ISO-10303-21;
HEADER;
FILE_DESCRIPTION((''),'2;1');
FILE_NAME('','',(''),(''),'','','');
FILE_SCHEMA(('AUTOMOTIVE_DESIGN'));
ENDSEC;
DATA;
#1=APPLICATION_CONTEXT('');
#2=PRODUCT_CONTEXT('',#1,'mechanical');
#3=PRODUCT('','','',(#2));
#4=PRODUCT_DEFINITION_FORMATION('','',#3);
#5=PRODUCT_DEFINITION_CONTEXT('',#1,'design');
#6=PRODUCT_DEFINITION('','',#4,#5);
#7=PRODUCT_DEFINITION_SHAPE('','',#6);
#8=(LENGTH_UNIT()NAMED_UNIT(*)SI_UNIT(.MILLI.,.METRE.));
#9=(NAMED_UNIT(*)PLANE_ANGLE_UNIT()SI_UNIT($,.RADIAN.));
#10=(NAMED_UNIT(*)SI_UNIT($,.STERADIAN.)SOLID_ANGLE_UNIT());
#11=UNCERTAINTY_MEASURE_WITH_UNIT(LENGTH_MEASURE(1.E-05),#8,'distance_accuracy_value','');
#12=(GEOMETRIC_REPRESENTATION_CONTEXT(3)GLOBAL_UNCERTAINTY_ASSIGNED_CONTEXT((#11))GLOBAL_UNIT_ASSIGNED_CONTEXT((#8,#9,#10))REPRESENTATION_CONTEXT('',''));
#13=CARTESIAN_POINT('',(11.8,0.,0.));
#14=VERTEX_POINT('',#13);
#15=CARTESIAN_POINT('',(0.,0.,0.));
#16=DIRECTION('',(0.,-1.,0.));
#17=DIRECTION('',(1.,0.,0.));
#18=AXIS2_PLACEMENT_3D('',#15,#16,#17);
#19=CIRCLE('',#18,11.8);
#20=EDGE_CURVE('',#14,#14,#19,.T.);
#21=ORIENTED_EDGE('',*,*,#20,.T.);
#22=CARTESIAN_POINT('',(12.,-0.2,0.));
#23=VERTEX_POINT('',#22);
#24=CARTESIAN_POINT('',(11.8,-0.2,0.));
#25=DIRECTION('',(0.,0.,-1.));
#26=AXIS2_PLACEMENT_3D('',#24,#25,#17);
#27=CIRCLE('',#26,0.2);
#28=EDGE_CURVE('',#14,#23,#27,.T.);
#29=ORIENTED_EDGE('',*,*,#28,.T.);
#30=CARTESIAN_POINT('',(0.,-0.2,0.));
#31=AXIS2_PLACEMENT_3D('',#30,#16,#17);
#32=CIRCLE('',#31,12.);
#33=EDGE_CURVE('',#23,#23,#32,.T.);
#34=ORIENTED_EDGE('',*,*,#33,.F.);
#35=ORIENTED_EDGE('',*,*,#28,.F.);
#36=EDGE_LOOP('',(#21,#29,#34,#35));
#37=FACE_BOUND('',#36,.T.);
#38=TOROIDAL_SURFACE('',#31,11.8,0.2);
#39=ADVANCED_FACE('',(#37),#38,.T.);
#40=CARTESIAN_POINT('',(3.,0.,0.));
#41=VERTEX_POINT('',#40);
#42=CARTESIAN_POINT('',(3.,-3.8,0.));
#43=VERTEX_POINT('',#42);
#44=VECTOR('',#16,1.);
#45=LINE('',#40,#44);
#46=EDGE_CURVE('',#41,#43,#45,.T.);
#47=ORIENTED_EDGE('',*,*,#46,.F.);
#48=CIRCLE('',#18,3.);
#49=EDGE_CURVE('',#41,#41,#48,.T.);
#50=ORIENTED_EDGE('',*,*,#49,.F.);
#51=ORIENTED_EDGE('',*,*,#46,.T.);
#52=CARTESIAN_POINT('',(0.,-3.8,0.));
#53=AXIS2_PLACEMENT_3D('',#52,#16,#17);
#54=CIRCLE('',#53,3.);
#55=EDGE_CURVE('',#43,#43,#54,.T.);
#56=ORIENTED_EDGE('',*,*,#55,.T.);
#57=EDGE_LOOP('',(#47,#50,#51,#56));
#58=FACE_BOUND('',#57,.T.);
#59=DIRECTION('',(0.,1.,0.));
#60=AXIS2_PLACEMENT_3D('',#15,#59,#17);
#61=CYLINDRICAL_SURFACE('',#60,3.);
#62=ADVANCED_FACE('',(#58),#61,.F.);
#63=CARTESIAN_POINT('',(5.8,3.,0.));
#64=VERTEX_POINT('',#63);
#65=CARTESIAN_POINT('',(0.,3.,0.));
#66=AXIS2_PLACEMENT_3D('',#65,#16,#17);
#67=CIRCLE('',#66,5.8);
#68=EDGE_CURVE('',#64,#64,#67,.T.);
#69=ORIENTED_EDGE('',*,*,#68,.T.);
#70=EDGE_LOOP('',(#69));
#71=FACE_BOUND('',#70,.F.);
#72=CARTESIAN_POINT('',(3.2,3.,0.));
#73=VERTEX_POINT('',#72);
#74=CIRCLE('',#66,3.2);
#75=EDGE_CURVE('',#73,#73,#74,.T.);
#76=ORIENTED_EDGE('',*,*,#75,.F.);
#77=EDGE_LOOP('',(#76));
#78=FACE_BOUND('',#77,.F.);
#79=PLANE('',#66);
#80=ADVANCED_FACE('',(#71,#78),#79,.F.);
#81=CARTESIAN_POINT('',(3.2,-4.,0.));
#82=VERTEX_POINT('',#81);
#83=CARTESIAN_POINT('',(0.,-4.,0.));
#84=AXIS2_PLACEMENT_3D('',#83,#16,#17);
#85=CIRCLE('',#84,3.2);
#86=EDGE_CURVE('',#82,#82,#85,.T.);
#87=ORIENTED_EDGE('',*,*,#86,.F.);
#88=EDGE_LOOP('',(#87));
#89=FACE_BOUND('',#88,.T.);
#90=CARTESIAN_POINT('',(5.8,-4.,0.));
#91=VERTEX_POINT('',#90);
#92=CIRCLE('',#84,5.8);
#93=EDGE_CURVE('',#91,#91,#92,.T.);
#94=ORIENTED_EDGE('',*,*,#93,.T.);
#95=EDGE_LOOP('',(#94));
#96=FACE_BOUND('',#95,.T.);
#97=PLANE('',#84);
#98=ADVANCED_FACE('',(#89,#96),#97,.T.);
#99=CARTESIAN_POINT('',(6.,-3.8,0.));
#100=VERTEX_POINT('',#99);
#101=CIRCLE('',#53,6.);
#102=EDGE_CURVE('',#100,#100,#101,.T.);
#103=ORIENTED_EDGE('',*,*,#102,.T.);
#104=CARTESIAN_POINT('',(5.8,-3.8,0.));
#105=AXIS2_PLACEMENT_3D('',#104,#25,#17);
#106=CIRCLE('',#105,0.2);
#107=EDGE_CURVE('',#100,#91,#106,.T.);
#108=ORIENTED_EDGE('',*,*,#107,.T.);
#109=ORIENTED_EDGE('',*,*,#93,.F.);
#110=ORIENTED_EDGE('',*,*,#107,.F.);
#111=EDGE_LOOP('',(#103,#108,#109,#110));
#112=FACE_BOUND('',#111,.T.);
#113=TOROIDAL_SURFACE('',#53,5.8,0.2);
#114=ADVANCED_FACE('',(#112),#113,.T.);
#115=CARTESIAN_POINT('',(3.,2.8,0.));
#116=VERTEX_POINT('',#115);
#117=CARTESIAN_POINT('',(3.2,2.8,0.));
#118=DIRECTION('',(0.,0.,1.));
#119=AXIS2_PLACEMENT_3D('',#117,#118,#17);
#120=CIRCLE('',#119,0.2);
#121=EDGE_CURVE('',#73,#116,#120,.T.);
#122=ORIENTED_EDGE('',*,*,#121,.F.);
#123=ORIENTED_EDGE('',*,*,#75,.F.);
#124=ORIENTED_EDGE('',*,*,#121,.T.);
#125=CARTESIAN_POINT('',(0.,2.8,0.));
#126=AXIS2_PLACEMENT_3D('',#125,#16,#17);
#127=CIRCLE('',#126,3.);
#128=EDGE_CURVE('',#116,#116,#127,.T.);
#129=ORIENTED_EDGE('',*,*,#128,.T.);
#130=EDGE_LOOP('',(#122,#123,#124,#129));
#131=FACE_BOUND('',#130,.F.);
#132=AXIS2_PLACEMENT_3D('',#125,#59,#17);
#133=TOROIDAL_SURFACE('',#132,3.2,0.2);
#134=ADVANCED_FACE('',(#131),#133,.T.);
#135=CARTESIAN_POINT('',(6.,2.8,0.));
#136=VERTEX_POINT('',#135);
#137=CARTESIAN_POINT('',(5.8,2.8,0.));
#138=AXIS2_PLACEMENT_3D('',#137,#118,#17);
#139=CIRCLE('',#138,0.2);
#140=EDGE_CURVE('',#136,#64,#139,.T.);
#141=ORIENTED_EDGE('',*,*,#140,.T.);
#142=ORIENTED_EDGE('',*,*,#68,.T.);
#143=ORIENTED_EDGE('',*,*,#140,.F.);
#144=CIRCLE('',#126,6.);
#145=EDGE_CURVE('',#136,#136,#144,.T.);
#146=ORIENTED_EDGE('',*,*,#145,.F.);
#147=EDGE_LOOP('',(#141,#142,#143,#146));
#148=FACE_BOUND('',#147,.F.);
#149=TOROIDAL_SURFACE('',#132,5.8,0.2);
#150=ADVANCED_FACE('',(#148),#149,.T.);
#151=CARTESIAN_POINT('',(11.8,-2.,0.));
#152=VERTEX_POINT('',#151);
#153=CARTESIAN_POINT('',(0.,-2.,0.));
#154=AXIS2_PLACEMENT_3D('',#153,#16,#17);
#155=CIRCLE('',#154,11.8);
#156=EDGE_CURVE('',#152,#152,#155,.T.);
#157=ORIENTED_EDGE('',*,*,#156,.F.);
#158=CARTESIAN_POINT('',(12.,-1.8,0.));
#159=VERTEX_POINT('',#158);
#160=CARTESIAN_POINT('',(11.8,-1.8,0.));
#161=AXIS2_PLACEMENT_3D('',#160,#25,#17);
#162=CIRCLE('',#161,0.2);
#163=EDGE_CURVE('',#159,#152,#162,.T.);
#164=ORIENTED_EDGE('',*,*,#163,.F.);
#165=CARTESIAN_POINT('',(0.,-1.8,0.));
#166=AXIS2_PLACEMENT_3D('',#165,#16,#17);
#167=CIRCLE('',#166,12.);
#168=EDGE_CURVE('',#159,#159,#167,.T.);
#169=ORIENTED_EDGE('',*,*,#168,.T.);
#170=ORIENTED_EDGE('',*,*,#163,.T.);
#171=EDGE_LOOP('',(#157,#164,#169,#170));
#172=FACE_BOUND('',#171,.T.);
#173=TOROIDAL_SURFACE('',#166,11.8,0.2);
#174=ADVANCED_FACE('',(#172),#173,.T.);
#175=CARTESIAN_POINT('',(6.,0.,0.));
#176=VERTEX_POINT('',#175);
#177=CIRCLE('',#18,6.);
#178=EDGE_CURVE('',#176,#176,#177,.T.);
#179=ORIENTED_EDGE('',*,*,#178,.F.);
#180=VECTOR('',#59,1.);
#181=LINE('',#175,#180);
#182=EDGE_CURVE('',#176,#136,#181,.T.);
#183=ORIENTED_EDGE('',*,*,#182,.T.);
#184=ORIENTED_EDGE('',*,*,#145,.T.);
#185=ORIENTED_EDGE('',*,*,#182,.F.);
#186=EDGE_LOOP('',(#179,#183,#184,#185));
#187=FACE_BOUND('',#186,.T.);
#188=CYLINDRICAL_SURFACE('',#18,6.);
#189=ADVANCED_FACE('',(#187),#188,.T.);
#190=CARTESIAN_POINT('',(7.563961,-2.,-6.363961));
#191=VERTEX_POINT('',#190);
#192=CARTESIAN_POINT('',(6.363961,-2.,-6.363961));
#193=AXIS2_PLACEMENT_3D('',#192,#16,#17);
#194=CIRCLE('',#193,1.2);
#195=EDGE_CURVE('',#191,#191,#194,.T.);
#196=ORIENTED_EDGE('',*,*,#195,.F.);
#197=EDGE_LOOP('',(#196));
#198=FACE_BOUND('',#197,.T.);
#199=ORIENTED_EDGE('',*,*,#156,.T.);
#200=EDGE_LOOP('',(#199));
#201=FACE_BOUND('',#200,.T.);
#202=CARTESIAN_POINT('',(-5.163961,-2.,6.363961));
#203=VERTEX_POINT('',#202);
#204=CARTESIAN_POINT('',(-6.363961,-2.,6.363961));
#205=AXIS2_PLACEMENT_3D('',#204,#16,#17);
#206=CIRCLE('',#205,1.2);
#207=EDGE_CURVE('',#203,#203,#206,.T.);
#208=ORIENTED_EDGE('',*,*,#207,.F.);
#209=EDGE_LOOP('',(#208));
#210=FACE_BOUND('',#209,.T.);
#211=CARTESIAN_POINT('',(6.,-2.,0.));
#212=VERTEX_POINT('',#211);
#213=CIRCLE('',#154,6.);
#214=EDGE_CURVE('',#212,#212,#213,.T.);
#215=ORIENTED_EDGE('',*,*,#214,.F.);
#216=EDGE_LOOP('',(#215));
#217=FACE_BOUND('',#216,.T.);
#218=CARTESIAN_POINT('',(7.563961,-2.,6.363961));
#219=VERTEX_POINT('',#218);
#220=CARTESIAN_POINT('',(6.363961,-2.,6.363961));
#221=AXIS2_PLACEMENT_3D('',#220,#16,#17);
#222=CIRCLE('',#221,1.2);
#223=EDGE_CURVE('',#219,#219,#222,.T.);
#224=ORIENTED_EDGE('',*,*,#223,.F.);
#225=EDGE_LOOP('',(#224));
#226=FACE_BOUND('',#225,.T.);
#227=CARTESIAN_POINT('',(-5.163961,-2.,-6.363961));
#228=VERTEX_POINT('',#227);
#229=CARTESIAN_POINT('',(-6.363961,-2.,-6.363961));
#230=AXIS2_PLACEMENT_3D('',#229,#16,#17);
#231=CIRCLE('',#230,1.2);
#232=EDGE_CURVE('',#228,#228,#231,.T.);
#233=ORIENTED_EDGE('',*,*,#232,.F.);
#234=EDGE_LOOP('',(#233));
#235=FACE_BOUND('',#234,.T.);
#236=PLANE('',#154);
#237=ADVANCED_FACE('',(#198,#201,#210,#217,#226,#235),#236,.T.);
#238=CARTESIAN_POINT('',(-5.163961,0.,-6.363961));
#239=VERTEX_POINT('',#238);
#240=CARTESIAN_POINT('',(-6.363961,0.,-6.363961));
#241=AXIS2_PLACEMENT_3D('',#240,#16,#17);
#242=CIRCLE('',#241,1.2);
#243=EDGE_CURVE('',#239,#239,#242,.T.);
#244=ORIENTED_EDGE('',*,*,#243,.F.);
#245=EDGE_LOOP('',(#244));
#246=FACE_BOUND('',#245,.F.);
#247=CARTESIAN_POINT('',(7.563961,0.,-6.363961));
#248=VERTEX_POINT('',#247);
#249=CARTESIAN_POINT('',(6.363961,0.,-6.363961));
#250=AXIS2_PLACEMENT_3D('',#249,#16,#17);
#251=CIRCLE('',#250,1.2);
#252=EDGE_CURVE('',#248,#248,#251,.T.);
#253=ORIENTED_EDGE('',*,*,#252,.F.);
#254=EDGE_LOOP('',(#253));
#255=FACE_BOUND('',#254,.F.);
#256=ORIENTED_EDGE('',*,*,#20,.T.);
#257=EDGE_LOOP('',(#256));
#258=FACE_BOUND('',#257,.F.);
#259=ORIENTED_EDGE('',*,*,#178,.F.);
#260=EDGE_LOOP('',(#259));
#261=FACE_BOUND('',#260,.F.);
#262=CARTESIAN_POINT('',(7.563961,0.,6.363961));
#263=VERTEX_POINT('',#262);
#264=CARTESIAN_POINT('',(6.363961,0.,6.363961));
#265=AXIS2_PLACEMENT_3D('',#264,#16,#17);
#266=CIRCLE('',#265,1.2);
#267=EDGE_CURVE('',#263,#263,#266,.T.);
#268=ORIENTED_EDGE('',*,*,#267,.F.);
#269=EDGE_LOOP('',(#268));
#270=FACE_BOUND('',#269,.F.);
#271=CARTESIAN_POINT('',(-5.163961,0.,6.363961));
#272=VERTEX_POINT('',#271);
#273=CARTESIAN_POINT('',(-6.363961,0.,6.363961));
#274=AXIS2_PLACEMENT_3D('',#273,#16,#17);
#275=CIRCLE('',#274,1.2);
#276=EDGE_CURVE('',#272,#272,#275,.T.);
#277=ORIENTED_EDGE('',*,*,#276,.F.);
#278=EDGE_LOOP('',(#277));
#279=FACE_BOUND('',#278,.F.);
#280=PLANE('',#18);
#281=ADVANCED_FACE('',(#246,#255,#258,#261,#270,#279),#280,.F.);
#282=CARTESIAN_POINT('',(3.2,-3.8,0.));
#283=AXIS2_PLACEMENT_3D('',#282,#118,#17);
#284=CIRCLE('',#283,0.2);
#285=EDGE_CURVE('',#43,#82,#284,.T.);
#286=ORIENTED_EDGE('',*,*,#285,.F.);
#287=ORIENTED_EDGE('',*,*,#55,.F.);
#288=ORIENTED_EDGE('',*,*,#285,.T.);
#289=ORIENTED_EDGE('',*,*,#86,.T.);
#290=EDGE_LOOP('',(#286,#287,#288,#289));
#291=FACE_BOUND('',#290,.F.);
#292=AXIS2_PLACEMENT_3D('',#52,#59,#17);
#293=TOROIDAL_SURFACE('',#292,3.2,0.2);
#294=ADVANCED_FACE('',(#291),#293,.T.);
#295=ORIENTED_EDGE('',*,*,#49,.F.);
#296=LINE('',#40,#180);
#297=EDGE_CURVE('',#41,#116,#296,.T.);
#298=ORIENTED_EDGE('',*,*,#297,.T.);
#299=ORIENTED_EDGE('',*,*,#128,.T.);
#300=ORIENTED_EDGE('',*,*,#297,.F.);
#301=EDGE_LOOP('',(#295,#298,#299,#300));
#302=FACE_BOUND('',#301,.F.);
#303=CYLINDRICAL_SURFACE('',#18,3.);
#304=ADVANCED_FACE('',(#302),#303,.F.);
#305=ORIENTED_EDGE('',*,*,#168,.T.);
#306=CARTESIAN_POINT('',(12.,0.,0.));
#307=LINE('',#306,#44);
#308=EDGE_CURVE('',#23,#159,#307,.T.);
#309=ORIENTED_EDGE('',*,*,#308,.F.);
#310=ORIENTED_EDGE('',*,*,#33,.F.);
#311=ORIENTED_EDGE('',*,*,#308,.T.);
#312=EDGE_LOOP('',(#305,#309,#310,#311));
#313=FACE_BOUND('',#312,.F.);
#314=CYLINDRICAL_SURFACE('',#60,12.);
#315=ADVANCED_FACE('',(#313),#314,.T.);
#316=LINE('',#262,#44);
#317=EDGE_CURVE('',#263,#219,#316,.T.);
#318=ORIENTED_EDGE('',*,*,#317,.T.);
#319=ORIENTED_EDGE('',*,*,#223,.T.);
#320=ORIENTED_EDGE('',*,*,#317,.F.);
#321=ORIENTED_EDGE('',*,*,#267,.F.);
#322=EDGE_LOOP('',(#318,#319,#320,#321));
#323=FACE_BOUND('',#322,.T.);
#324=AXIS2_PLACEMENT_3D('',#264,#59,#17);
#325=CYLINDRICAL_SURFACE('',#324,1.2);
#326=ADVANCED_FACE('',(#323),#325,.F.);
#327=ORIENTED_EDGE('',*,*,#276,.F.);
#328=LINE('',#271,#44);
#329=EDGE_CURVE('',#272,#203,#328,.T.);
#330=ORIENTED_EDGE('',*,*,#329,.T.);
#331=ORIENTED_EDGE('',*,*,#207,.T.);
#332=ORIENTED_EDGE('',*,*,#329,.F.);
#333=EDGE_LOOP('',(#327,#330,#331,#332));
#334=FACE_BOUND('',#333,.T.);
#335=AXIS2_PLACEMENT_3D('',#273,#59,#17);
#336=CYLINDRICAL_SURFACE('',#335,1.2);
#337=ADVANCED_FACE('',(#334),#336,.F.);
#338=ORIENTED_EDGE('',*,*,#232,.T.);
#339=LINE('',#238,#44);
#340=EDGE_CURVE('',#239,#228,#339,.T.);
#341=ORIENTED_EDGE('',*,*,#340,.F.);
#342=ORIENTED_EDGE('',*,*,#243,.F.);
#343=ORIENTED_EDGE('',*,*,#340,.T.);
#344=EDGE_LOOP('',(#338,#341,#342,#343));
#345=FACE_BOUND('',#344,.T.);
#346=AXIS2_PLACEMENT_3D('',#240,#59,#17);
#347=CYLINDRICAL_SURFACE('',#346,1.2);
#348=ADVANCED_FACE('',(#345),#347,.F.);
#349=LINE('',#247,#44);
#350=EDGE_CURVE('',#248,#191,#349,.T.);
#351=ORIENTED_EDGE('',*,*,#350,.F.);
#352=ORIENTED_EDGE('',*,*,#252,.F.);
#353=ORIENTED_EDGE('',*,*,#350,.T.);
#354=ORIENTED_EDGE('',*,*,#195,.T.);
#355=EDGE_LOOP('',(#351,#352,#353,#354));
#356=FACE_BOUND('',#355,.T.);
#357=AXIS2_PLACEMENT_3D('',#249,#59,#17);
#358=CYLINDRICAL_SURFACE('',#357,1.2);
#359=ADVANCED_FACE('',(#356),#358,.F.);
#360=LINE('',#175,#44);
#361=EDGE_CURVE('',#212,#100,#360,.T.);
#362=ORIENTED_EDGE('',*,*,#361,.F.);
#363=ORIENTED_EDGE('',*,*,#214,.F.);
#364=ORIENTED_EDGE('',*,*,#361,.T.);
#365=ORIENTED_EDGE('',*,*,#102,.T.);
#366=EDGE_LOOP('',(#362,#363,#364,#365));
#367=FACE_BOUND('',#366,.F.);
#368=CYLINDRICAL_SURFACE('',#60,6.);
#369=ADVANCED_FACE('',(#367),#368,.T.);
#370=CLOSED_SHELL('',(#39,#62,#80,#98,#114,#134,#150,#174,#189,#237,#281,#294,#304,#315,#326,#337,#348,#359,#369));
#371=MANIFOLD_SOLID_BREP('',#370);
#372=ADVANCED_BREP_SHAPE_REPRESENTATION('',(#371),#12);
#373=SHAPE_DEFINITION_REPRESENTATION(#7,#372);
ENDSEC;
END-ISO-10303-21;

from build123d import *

# Parameters (mm, degrees)
F0_R     = 12
F0_R_2   = 1.2
F0_R_3   = 6
F1_DEPTH = 2
F0_R_4   = 3
F2_DEPTH = 4
F3_DEPTH = 3
F4_R     = 0.2


with BuildPart() as f1:
    # F0 (on Front) → F1 (new body)
    with BuildSketch(Plane.XZ):
        Circle(F0_R)
        with Locations((-6.363961, -6.363961)):
            Circle(F0_R_2, mode=Mode.SUBTRACT)
        with Locations((6.363961, -6.363961)):
            Circle(F0_R_2, mode=Mode.SUBTRACT)
        with Locations((-6.363961, 6.363961)):
            Circle(F0_R_2, mode=Mode.SUBTRACT)
        Circle(F0_R_3, mode=Mode.SUBTRACT)
        with Locations((6.363961, 6.363961)):
            Circle(F0_R_2, mode=Mode.SUBTRACT)
    extrude(amount=F1_DEPTH)

    # F0 (on Front) → F2 (join)
    with BuildSketch(Plane.XZ):
        Circle(F0_R_3)
        Circle(F0_R_4, mode=Mode.SUBTRACT)
    extrude(amount=F2_DEPTH)

    # F0 (on Front) → F3 (join)
    with BuildSketch(Plane.XZ):
        Circle(F0_R_3)
        Circle(F0_R_4, mode=Mode.SUBTRACT)
    extrude(amount=-F3_DEPTH)

    # F4
    f4_edges = [f1.edges().sort_by_distance(p)[0] for p in [
        (-3, -4, 0),
        (-6, -4, 0),
        (-12, -2, 0),
        (-12, 0, 0),
        (-6, 3, 0),
        (-3, 3, 0),
    ]]
    fillet(f4_edges, radius=F4_R)


solid = f1.part
